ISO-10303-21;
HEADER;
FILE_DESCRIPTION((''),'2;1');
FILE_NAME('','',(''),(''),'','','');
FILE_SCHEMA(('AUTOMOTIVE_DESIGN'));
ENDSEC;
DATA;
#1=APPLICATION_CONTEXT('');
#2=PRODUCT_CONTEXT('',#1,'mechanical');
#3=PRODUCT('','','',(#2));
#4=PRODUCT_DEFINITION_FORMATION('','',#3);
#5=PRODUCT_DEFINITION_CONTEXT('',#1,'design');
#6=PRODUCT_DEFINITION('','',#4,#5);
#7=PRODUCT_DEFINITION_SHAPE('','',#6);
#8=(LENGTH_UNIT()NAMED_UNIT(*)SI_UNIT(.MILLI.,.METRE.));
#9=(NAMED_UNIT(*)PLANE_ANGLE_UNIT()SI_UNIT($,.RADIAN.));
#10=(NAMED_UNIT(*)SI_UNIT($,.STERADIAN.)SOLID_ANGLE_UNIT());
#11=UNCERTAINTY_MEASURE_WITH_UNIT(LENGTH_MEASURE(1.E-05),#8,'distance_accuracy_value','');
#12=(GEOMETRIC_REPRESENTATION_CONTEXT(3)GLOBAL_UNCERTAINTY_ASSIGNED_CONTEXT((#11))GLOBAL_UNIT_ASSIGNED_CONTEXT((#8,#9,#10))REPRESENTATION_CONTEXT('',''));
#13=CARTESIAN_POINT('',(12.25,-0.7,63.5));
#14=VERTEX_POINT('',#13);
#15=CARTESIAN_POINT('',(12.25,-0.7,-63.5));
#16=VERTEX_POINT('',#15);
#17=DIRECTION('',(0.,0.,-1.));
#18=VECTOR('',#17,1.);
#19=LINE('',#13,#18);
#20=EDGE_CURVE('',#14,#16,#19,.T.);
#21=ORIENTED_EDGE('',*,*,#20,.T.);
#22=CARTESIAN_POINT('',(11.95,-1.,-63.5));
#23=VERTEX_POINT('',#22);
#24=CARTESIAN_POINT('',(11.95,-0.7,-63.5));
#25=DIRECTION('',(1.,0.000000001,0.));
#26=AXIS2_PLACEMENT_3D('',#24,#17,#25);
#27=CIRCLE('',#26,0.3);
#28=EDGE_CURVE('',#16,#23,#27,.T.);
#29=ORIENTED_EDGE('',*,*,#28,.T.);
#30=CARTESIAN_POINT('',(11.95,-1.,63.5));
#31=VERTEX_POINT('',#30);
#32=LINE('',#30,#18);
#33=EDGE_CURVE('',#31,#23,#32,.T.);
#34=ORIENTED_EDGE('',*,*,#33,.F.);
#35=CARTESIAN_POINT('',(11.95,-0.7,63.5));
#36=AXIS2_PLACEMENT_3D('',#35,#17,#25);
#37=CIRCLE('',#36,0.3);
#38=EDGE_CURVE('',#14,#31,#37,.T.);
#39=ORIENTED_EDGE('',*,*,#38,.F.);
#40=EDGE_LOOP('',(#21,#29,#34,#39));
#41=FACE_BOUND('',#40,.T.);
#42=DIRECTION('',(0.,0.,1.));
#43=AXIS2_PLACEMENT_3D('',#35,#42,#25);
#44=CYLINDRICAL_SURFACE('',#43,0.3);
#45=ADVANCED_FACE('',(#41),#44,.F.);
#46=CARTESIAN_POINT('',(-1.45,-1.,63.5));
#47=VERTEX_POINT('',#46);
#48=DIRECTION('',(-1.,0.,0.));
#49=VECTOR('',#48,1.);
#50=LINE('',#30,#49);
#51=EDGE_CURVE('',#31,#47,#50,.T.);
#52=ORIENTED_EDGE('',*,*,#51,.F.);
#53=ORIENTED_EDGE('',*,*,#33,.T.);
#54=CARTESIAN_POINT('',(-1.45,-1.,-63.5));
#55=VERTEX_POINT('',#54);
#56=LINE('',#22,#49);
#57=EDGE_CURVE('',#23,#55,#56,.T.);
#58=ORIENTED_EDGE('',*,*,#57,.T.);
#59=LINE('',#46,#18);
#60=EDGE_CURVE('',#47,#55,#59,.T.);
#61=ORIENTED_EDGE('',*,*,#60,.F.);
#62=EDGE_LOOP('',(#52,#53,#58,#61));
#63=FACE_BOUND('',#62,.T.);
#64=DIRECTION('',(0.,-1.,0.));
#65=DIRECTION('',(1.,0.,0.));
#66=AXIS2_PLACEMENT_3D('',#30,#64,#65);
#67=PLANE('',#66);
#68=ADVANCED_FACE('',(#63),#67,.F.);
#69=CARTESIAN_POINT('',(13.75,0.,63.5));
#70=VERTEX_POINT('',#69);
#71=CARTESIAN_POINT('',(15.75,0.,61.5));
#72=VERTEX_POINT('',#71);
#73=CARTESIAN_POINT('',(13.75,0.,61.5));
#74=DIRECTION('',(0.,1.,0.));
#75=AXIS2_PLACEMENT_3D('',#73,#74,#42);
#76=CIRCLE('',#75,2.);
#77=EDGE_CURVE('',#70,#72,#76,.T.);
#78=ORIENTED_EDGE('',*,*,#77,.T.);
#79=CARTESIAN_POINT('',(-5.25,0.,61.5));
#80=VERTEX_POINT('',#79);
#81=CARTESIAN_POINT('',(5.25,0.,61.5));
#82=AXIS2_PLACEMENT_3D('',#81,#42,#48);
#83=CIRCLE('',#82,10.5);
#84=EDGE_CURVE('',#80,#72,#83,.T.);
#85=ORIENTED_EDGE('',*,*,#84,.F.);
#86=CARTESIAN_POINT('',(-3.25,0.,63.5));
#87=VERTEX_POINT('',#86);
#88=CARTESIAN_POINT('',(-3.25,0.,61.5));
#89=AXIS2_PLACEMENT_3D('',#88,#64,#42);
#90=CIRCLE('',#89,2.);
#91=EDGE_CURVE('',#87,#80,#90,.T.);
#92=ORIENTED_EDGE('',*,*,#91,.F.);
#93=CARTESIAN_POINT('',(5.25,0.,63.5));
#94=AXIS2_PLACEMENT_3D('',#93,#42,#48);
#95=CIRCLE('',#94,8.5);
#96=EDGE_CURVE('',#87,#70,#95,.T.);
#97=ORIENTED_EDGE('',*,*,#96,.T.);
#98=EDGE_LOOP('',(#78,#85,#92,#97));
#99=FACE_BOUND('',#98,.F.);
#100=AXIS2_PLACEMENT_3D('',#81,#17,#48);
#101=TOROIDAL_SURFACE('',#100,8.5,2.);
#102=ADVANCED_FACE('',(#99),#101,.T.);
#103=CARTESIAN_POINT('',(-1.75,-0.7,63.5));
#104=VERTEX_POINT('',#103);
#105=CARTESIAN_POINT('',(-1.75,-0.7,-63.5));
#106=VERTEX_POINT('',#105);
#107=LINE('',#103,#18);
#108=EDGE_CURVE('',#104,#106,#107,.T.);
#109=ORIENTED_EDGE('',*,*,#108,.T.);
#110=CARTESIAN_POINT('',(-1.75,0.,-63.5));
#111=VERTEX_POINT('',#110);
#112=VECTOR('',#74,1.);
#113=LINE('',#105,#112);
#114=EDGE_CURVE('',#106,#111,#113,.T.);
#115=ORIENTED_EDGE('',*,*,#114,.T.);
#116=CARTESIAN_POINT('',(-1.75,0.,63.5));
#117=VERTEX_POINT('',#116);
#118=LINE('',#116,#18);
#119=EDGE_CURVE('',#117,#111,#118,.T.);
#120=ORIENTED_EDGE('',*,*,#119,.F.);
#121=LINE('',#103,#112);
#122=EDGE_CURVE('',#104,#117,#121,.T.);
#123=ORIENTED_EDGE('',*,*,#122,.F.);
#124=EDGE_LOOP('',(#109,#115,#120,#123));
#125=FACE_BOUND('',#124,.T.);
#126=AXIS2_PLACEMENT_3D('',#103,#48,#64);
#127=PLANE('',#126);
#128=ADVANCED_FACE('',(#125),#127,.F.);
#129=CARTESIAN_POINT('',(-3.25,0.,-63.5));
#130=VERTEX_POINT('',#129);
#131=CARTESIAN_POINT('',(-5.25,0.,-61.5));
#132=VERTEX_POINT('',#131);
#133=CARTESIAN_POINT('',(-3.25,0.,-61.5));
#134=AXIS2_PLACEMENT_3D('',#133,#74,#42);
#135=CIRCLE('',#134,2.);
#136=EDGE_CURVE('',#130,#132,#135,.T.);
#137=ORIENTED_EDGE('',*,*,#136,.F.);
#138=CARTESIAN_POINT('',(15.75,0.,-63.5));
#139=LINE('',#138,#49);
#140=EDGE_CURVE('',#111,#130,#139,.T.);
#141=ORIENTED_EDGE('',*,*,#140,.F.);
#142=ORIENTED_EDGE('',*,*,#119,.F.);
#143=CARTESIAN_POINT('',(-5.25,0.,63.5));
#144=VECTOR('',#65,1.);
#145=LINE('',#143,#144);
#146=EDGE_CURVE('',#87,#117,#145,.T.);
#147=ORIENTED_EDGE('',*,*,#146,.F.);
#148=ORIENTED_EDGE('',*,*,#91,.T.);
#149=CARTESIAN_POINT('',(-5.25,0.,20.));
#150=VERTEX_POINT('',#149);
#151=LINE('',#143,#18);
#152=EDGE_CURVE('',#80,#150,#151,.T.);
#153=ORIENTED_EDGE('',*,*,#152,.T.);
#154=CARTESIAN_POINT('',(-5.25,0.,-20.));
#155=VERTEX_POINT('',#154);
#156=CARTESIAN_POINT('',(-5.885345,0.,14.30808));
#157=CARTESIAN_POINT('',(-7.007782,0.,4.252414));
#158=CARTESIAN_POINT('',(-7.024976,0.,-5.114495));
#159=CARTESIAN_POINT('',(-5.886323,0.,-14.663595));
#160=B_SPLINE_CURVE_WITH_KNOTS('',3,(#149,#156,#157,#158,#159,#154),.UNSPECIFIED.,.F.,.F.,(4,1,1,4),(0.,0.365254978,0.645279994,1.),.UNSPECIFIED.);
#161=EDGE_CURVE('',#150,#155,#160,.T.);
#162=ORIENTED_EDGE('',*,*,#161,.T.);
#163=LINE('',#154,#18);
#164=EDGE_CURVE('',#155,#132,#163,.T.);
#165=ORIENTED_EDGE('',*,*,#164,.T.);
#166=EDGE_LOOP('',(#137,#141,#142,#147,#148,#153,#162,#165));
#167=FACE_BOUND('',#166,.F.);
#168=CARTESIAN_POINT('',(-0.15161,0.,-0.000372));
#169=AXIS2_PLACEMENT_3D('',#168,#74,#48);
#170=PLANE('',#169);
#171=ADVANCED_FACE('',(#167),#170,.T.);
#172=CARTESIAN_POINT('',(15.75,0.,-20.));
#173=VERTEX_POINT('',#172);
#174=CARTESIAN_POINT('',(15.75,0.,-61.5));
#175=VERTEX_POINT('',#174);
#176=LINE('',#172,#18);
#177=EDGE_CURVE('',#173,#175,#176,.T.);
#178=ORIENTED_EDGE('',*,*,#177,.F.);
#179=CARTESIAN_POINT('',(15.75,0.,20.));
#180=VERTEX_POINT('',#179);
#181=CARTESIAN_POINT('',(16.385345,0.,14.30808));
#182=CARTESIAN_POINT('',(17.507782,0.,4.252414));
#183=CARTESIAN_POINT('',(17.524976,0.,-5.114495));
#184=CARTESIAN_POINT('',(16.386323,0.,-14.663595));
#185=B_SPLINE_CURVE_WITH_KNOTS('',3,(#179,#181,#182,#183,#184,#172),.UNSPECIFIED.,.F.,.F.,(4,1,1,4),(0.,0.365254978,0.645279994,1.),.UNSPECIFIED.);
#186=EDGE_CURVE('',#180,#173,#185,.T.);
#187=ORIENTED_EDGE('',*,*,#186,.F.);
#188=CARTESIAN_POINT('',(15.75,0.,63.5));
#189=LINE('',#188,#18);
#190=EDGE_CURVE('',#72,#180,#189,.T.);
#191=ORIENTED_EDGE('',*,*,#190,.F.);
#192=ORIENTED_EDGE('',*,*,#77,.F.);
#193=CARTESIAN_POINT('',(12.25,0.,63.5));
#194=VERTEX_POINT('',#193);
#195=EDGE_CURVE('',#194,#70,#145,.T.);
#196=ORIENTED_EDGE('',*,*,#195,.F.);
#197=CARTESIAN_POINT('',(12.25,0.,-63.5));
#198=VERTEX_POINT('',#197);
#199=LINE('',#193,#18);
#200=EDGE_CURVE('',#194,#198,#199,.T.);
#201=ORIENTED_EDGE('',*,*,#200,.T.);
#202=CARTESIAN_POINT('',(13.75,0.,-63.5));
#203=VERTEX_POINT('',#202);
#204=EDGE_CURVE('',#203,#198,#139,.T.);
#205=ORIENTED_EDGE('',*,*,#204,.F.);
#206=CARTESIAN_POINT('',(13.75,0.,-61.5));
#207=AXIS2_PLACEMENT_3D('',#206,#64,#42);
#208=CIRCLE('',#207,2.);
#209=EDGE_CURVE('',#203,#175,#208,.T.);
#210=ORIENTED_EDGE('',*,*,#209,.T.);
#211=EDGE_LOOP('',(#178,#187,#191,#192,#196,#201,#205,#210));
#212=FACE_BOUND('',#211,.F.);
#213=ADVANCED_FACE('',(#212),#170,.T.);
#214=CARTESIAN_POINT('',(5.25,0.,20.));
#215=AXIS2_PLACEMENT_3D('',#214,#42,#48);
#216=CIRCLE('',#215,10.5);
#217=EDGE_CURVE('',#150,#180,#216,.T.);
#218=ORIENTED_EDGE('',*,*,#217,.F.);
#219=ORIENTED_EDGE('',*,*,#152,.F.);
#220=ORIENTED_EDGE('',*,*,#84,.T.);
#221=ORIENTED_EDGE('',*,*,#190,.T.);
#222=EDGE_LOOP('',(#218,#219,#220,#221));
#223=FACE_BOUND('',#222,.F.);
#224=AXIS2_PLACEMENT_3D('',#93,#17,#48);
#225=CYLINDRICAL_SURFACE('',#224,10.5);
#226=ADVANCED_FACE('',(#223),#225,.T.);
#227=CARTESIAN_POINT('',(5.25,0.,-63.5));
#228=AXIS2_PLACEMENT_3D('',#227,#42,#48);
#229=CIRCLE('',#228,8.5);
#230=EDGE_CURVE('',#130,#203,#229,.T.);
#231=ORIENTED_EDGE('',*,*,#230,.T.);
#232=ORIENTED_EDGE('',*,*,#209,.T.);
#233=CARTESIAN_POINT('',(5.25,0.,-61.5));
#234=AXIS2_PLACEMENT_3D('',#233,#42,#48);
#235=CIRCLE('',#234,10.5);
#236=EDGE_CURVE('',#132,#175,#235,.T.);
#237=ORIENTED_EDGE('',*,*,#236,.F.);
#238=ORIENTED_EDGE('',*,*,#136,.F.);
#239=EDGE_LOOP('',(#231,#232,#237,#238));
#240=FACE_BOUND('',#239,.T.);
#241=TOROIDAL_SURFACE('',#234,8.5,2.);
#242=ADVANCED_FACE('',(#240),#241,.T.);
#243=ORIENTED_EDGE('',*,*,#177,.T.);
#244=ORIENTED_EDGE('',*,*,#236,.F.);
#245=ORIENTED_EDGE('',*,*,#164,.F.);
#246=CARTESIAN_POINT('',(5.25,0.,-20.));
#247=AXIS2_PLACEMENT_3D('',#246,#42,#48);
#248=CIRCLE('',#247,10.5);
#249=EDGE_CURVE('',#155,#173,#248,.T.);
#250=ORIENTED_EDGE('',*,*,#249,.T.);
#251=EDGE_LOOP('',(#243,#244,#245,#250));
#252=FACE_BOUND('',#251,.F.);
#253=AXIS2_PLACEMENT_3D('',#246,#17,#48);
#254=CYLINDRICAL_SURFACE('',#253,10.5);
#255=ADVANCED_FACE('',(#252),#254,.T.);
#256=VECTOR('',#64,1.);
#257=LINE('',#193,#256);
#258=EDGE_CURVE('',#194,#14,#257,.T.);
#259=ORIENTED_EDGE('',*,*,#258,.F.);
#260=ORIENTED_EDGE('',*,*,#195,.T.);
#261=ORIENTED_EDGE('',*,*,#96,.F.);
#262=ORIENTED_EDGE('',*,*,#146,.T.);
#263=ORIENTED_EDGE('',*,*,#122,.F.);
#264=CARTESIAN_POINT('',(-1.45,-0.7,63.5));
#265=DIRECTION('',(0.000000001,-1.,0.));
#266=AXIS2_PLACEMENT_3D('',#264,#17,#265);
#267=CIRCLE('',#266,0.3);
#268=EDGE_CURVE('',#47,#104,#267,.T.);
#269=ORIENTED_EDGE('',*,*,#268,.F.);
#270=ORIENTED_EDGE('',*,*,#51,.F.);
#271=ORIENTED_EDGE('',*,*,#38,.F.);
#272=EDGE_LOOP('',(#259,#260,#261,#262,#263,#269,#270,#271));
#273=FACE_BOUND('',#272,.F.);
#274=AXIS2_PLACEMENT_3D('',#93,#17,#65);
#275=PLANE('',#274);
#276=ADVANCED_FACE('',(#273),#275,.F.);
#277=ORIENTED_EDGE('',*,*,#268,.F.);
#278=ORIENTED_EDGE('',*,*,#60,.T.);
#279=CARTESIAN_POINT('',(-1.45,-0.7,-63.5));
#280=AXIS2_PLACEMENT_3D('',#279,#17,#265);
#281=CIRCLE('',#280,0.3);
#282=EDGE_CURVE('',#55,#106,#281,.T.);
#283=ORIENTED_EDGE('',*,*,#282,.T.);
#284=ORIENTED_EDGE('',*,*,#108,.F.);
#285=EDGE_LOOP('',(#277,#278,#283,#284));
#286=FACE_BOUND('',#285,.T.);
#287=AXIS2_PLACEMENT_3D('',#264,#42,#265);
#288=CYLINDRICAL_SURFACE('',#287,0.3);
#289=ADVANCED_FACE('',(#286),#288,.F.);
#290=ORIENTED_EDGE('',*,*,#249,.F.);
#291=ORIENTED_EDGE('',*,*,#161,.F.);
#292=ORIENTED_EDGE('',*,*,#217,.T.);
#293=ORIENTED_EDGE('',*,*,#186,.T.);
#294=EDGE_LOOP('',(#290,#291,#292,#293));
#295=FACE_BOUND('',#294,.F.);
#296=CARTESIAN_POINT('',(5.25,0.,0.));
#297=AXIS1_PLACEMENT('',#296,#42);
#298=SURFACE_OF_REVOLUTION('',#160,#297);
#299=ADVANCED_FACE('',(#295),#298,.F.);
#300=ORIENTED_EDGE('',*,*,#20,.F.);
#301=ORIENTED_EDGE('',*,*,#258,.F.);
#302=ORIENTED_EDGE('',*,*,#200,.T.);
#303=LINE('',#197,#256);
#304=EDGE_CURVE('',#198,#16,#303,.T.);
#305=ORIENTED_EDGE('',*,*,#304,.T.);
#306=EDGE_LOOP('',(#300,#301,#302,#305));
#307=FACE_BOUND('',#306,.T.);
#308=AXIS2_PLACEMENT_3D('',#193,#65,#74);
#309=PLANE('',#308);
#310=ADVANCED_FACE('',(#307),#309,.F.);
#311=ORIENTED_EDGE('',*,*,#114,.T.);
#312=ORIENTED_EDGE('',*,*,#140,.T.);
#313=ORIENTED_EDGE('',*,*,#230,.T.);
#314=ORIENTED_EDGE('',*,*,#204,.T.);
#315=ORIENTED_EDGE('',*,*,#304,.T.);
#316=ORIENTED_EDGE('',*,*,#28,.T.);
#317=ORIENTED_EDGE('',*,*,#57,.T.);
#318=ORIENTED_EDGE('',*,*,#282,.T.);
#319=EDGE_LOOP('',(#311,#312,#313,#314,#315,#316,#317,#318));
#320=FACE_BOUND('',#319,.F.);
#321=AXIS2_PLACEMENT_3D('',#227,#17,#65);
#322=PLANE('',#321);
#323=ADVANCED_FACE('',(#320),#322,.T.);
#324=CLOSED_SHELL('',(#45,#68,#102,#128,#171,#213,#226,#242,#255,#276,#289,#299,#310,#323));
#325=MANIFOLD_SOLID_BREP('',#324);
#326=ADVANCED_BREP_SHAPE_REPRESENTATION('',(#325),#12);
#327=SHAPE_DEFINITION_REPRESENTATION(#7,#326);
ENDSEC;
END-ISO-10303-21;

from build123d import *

# Parameters (mm, degrees)
F1_ANGLE = 180
F3_DEPTH = 127
F6_R     = 2
F7_R     = 2


with BuildPart() as f1:
    # F0 (on Front) → F1 (revolve)
    with BuildSketch(Plane.XZ):
        with BuildLine():
            Line((5.25, 63.5), (-5.25, 63.5))
            Line((-5.25, 63.5), (-5.25, 20))
            add(Edge.make_bspline(
                [(-5.25, 20), (-5.8853452496, 14.3080799964), (-7.0077819126, 4.2524138852), (-7.0249760105, -5.1144951824), (-5.8863231474, -14.6635947641), (-5.25, -20)],
                knots=[0, 0, 0, 0, 0.3652549784, 0.6452799944, 1, 1, 1, 1], degree=3))
            Line((-5.25, -20), (-5.25, -63.5))
            Line((-5.25, -63.5), (5.25, -63.5))
            Line((5.25, -63.5), (5.25, 63.5))
        make_face()
    revolve(axis=Axis((5.25, 0, 0), (0, 0, -1)), revolution_arc=F1_ANGLE)

    # F2 (on face) → F3 (cut)
    with BuildSketch(Plane.XY.offset(63.5)):
        with BuildLine():
            Line((-1.75, 0), (5.25, 0))
            Line((5.25, 0), (12.25, 0))
            Line((12.25, 0), (12.25, 0.7))
            ThreePointArc((12.25, 0.7), (12.1621320344, 0.9121320344), (11.95, 1))
            Line((11.95, 1), (-1.45, 1))
            ThreePointArc((-1.45, 1), (-1.6621320344, 0.9121320344), (-1.75, 0.7))
            Line((-1.75, 0.7), (-1.75, 0))
        make_face()
    extrude(amount=-F3_DEPTH, mode=Mode.SUBTRACT)


with BuildPart() as f4_1:
    # F4: instance of F1
    add(f1.part.mirror(Plane.XZ))

    # F6
    f6_edges = [f4_1.edges().sort_by_distance(p)[0] for p in [
        (5.25, -10.5, 63.5),
    ]]
    fillet(f6_edges, radius=F6_R)

    # F7
    f7_edges = [f4_1.edges().sort_by_distance(p)[0] for p in [
        (5.25, -10.5, -63.5),
    ]]
    fillet(f7_edges, radius=F7_R)


solid = f4_1.part
